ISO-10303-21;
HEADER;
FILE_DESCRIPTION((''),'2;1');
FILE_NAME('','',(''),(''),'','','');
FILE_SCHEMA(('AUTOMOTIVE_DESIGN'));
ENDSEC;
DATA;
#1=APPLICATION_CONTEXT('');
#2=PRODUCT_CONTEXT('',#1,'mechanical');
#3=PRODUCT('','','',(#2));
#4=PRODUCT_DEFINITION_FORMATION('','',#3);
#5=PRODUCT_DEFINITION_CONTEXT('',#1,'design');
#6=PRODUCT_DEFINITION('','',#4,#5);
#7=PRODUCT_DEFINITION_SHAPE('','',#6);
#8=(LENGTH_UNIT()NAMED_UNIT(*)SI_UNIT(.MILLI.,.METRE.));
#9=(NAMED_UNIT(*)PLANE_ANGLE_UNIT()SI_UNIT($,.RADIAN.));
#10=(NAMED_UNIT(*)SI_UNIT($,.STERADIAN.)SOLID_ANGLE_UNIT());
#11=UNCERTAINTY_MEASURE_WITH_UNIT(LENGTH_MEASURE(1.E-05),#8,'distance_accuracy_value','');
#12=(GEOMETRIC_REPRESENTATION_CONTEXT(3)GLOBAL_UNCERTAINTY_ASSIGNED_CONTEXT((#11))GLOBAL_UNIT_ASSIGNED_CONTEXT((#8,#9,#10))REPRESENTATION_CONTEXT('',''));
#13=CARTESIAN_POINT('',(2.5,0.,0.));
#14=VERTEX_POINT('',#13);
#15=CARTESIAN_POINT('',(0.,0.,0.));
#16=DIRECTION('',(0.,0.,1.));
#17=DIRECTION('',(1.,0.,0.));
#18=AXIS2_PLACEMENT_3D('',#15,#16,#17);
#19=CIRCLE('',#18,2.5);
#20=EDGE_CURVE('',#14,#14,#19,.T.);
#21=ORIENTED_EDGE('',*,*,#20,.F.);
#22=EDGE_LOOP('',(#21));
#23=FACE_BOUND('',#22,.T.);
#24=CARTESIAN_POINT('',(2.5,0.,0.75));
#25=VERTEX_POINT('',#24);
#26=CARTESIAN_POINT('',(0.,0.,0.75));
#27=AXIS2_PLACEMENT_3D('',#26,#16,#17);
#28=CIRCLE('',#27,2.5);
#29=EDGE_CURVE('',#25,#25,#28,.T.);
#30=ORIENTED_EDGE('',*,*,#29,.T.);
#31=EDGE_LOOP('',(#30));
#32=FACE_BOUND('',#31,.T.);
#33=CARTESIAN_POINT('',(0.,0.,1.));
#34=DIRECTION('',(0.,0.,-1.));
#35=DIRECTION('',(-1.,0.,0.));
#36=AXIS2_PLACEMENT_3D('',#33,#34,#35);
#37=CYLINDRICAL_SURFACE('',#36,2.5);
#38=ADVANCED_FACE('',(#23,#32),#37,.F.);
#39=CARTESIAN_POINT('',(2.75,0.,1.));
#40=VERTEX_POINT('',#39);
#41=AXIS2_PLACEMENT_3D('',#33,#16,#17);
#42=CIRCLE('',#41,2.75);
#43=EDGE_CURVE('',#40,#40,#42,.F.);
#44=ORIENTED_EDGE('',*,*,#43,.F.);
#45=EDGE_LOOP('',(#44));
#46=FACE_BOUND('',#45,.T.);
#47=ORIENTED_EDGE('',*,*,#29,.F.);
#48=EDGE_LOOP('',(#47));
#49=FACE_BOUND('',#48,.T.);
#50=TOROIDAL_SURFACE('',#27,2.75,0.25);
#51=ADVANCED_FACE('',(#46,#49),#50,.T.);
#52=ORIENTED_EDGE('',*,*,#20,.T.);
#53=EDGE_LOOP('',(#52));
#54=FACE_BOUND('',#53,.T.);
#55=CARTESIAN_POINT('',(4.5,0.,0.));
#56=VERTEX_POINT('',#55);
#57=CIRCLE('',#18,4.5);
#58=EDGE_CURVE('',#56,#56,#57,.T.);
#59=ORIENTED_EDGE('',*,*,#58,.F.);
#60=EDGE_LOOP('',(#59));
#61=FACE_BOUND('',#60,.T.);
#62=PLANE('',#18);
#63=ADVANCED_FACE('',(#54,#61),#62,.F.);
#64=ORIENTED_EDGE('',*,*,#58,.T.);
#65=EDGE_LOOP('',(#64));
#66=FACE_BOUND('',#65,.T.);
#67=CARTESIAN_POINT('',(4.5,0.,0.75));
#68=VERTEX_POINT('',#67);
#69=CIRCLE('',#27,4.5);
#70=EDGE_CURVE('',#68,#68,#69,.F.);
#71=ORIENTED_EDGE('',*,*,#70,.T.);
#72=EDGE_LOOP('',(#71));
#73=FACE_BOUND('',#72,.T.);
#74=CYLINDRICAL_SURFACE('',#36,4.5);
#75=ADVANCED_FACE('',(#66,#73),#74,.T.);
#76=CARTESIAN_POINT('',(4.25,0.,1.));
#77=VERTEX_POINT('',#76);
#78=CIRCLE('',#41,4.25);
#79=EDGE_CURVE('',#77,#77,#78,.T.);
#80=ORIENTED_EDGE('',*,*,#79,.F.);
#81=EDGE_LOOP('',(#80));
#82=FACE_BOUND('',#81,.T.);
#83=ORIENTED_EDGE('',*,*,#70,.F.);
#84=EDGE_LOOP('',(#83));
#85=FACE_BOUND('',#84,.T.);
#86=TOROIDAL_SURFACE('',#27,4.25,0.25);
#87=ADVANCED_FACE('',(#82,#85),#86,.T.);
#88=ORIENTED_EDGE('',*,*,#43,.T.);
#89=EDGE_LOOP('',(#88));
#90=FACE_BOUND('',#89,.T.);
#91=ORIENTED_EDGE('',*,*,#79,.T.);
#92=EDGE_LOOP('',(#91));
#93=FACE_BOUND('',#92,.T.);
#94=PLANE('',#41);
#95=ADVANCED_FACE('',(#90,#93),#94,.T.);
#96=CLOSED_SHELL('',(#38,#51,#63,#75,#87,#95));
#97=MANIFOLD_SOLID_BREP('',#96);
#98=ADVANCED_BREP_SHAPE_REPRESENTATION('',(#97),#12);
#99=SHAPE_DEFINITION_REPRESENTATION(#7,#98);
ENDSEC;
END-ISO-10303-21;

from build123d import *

# Parameters (mm, degrees)
SKETCH1_R           = 4.5
SKETCH1_R_2         = 2.5
BOSS_EXTRUDE1_DEPTH = 1
FILLET1_R           = 0.25


with BuildPart() as part:
    # Sketch1 → Boss-Extrude1 (new body)
    with BuildSketch(Plane.XY):
        Circle(SKETCH1_R)
        Circle(SKETCH1_R_2, mode=Mode.SUBTRACT)
    extrude(amount=BOSS_EXTRUDE1_DEPTH)

    # Fillet1
    fillet1_edges = [part.edges().sort_by_distance(p)[0] for p in [
        (-4.5, 0, 1),
        (-2.5, 0, 1),
    ]]
    fillet(fillet1_edges, radius=FILLET1_R)


solid = part.part
